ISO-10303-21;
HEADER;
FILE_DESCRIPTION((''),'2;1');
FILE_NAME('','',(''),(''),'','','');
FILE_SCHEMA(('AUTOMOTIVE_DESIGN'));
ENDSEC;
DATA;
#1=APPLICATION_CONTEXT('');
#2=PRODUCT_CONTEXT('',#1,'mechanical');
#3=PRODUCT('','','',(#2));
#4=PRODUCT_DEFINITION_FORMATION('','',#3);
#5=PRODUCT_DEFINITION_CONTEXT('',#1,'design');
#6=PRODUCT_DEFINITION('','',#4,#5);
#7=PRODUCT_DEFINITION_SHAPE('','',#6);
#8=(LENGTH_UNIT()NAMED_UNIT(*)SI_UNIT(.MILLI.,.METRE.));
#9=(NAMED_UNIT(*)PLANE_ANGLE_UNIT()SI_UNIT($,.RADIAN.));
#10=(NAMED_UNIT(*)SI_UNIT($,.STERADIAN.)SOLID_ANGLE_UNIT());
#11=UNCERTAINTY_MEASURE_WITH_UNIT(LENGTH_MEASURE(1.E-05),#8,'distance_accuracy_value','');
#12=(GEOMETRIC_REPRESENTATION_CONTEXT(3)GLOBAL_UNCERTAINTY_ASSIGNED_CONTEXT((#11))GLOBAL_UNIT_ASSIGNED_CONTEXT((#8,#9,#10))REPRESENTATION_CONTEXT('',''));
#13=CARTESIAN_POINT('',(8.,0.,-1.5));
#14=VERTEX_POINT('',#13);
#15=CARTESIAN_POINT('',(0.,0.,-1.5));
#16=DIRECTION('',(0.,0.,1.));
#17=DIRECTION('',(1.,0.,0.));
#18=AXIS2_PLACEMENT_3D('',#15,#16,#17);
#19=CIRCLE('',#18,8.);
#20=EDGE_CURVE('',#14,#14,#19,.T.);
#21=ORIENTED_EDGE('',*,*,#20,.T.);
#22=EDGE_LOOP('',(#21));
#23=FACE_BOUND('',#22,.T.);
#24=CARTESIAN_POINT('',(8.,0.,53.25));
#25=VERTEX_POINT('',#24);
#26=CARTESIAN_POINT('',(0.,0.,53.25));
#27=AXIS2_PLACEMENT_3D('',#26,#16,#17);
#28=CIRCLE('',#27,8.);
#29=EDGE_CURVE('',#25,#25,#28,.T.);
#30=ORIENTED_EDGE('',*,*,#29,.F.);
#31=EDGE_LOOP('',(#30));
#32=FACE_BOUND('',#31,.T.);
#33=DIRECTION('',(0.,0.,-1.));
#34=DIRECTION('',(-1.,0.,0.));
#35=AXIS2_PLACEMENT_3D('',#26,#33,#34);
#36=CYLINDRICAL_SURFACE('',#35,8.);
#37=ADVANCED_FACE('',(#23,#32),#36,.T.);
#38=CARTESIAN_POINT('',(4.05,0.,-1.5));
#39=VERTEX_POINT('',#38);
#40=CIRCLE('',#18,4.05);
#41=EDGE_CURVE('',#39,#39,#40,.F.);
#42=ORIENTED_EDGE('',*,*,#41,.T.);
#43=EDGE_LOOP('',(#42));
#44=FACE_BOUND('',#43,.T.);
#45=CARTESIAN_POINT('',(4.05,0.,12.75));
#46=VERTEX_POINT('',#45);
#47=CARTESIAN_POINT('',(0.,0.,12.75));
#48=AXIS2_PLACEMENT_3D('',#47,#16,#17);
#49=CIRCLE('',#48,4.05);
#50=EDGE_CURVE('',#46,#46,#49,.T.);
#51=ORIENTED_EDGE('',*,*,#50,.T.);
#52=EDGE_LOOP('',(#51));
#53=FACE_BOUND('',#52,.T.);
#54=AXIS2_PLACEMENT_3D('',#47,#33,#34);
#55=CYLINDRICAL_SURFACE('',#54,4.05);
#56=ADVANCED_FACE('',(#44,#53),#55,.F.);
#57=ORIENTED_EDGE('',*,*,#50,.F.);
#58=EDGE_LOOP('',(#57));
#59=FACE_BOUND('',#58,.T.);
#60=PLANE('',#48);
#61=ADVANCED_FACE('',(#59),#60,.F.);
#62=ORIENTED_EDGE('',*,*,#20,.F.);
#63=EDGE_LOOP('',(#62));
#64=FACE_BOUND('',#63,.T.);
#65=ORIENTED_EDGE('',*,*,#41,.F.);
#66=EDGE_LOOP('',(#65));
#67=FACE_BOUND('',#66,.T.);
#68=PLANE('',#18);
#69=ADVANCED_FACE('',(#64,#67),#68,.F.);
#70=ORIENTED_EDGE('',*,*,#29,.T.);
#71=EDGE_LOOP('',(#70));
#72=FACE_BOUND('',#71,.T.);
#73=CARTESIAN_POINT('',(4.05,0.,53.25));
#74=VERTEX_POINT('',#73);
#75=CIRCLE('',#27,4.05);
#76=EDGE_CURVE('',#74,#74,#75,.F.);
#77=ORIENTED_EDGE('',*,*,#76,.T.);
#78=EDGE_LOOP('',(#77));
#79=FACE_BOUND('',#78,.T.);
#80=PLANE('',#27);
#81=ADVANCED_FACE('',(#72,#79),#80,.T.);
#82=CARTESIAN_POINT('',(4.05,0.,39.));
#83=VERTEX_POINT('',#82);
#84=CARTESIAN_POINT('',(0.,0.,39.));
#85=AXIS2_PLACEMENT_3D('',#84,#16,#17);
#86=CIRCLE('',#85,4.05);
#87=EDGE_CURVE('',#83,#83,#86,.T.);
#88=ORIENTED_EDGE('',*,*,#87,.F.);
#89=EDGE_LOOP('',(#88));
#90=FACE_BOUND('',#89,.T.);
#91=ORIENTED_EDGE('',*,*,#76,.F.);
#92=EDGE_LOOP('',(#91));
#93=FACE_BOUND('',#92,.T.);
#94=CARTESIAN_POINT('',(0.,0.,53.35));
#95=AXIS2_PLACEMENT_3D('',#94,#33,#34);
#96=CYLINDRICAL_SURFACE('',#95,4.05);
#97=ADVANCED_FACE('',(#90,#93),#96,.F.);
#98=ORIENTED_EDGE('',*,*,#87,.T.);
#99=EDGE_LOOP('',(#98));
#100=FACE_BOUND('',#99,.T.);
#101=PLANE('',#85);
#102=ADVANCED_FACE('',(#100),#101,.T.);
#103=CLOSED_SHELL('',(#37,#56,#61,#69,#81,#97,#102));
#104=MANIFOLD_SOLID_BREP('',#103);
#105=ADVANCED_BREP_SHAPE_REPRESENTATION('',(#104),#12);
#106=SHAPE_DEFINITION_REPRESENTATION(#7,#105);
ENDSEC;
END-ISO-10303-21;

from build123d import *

# Parameters (mm, degrees)
F_01_START                               = -1.5
S01_SOLID_POST_BLANK_16_MM_R             = 8
F_01_SOLID_POST_BLANK_16_MM_DEPTH        = 54.75
F_02_START                               = -1.6
S02_REAR_M6_HEAT_SET_INSERT_SEAT_R       = 4.05
F_02_REAR_M6_HEAT_SET_INSERT_SEAT_DEPTH  = 14.35
F_03_START                               = 39
S03_FRONT_M6_HEAT_SET_INSERT_SEAT_R      = 4.05
F_03_FRONT_M6_HEAT_SET_INSERT_SEAT_DEPTH = 14.35


with BuildPart() as part:
    # S01 - Solid post blank - 16 mm → 01 - Solid post blank - 16 mm (new body)
    with BuildSketch(Plane.XY.offset(F_01_START)):
        Circle(S01_SOLID_POST_BLANK_16_MM_R)
    extrude(amount=F_01_SOLID_POST_BLANK_16_MM_DEPTH)

    # S02 - Rear M6 heat-set insert seat → 02 - Rear M6 heat-set insert seat (cut)
    with BuildSketch(Plane.XY.offset(F_02_START)):
        Circle(S02_REAR_M6_HEAT_SET_INSERT_SEAT_R)
    extrude(amount=F_02_REAR_M6_HEAT_SET_INSERT_SEAT_DEPTH, mode=Mode.SUBTRACT)

    # S03 - Front M6 heat-set insert seat → 03 - Front M6 heat-set insert seat (cut)
    with BuildSketch(Plane.XY.offset(F_03_START)):
        Circle(S03_FRONT_M6_HEAT_SET_INSERT_SEAT_R)
    extrude(amount=F_03_FRONT_M6_HEAT_SET_INSERT_SEAT_DEPTH, mode=Mode.SUBTRACT)


solid = part.part
